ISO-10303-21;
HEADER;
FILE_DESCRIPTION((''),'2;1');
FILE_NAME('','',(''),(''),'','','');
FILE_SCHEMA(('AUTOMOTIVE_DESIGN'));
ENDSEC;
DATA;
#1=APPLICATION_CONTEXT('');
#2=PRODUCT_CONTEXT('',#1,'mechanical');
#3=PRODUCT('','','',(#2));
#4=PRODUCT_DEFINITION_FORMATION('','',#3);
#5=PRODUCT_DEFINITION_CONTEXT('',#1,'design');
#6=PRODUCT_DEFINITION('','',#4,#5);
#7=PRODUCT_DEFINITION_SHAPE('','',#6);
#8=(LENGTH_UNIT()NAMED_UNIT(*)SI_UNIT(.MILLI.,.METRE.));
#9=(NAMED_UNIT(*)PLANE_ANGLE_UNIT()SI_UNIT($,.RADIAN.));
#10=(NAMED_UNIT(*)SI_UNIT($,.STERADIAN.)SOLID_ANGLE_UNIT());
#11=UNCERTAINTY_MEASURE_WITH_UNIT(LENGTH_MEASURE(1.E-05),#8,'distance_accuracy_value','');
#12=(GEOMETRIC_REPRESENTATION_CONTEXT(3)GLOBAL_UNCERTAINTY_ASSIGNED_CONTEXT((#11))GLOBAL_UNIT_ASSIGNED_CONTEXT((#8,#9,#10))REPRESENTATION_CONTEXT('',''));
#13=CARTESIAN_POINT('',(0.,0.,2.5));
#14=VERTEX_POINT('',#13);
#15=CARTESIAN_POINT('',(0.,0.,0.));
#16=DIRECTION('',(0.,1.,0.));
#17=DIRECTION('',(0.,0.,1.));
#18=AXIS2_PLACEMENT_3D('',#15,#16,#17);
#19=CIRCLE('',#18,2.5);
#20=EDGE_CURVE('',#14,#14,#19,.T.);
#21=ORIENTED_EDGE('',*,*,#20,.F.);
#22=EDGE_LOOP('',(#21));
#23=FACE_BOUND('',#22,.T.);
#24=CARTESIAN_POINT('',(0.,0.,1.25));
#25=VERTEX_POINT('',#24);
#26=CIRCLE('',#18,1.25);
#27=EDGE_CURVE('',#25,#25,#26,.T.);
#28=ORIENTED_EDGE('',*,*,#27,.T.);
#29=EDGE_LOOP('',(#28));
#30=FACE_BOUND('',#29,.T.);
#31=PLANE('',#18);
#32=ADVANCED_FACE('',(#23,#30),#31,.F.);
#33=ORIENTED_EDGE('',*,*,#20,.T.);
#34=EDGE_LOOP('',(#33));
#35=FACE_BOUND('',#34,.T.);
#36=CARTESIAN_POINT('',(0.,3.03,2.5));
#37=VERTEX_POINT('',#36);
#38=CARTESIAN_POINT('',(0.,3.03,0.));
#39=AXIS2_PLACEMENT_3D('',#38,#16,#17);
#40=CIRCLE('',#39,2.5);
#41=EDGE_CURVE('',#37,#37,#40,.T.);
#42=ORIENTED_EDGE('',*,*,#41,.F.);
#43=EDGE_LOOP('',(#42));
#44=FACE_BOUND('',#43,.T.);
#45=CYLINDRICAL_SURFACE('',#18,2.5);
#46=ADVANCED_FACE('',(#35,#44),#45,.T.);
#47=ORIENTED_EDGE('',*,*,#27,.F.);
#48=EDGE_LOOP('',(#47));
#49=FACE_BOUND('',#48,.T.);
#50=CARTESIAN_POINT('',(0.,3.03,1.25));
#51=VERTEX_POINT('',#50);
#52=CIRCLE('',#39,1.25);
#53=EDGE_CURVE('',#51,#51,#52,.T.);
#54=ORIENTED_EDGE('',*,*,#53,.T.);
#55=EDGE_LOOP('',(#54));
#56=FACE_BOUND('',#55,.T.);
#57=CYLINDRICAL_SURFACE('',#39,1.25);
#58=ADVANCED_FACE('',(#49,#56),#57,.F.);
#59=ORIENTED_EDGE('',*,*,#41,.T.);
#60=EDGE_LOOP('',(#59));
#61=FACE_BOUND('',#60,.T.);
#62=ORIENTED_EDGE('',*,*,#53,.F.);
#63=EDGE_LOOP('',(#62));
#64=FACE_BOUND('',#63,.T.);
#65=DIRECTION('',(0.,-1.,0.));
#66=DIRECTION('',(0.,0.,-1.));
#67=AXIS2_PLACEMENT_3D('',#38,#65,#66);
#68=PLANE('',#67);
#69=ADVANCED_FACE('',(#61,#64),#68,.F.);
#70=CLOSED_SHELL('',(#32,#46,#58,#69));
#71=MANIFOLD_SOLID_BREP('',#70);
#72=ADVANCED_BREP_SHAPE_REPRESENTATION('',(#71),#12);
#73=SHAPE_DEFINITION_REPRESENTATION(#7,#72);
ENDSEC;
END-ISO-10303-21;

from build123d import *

# Parameters (mm, degrees)
SKETCH1_W                 = 2.5
SKETCH1_H                 = 3.03
M3X0_5_TAPPED_HOLE1_D     = 2.5
M3X0_5_TAPPED_HOLE1_DEPTH = 8.5
M3X0_5_TAPPED_HOLE1_TIP   = 0.751075774


with BuildPart() as part:
    # Sketch1 → Revolve1 (revolve)
    with BuildSketch(Plane.XY):
        with Locations((1.25, 1.515)):
            Rectangle(SKETCH1_W, SKETCH1_H)
    revolve(axis=Axis((0, 0, 0), (0, -1, 0)))

    # M3x0.5 Tapped Hole1
    with Locations(Plane(origin=(0, 3.03, 0), x_dir=(1, 0, 0), z_dir=(0, 1, 0))):
        with Locations((0, 0)):
            Hole(M3X0_5_TAPPED_HOLE1_D / 2, depth=M3X0_5_TAPPED_HOLE1_DEPTH)
            with Locations((0, 0, -(M3X0_5_TAPPED_HOLE1_DEPTH + M3X0_5_TAPPED_HOLE1_TIP / 2))):  # 118° drill point
                Cone(0, M3X0_5_TAPPED_HOLE1_D / 2, M3X0_5_TAPPED_HOLE1_TIP, mode=Mode.SUBTRACT)


solid = part.part
